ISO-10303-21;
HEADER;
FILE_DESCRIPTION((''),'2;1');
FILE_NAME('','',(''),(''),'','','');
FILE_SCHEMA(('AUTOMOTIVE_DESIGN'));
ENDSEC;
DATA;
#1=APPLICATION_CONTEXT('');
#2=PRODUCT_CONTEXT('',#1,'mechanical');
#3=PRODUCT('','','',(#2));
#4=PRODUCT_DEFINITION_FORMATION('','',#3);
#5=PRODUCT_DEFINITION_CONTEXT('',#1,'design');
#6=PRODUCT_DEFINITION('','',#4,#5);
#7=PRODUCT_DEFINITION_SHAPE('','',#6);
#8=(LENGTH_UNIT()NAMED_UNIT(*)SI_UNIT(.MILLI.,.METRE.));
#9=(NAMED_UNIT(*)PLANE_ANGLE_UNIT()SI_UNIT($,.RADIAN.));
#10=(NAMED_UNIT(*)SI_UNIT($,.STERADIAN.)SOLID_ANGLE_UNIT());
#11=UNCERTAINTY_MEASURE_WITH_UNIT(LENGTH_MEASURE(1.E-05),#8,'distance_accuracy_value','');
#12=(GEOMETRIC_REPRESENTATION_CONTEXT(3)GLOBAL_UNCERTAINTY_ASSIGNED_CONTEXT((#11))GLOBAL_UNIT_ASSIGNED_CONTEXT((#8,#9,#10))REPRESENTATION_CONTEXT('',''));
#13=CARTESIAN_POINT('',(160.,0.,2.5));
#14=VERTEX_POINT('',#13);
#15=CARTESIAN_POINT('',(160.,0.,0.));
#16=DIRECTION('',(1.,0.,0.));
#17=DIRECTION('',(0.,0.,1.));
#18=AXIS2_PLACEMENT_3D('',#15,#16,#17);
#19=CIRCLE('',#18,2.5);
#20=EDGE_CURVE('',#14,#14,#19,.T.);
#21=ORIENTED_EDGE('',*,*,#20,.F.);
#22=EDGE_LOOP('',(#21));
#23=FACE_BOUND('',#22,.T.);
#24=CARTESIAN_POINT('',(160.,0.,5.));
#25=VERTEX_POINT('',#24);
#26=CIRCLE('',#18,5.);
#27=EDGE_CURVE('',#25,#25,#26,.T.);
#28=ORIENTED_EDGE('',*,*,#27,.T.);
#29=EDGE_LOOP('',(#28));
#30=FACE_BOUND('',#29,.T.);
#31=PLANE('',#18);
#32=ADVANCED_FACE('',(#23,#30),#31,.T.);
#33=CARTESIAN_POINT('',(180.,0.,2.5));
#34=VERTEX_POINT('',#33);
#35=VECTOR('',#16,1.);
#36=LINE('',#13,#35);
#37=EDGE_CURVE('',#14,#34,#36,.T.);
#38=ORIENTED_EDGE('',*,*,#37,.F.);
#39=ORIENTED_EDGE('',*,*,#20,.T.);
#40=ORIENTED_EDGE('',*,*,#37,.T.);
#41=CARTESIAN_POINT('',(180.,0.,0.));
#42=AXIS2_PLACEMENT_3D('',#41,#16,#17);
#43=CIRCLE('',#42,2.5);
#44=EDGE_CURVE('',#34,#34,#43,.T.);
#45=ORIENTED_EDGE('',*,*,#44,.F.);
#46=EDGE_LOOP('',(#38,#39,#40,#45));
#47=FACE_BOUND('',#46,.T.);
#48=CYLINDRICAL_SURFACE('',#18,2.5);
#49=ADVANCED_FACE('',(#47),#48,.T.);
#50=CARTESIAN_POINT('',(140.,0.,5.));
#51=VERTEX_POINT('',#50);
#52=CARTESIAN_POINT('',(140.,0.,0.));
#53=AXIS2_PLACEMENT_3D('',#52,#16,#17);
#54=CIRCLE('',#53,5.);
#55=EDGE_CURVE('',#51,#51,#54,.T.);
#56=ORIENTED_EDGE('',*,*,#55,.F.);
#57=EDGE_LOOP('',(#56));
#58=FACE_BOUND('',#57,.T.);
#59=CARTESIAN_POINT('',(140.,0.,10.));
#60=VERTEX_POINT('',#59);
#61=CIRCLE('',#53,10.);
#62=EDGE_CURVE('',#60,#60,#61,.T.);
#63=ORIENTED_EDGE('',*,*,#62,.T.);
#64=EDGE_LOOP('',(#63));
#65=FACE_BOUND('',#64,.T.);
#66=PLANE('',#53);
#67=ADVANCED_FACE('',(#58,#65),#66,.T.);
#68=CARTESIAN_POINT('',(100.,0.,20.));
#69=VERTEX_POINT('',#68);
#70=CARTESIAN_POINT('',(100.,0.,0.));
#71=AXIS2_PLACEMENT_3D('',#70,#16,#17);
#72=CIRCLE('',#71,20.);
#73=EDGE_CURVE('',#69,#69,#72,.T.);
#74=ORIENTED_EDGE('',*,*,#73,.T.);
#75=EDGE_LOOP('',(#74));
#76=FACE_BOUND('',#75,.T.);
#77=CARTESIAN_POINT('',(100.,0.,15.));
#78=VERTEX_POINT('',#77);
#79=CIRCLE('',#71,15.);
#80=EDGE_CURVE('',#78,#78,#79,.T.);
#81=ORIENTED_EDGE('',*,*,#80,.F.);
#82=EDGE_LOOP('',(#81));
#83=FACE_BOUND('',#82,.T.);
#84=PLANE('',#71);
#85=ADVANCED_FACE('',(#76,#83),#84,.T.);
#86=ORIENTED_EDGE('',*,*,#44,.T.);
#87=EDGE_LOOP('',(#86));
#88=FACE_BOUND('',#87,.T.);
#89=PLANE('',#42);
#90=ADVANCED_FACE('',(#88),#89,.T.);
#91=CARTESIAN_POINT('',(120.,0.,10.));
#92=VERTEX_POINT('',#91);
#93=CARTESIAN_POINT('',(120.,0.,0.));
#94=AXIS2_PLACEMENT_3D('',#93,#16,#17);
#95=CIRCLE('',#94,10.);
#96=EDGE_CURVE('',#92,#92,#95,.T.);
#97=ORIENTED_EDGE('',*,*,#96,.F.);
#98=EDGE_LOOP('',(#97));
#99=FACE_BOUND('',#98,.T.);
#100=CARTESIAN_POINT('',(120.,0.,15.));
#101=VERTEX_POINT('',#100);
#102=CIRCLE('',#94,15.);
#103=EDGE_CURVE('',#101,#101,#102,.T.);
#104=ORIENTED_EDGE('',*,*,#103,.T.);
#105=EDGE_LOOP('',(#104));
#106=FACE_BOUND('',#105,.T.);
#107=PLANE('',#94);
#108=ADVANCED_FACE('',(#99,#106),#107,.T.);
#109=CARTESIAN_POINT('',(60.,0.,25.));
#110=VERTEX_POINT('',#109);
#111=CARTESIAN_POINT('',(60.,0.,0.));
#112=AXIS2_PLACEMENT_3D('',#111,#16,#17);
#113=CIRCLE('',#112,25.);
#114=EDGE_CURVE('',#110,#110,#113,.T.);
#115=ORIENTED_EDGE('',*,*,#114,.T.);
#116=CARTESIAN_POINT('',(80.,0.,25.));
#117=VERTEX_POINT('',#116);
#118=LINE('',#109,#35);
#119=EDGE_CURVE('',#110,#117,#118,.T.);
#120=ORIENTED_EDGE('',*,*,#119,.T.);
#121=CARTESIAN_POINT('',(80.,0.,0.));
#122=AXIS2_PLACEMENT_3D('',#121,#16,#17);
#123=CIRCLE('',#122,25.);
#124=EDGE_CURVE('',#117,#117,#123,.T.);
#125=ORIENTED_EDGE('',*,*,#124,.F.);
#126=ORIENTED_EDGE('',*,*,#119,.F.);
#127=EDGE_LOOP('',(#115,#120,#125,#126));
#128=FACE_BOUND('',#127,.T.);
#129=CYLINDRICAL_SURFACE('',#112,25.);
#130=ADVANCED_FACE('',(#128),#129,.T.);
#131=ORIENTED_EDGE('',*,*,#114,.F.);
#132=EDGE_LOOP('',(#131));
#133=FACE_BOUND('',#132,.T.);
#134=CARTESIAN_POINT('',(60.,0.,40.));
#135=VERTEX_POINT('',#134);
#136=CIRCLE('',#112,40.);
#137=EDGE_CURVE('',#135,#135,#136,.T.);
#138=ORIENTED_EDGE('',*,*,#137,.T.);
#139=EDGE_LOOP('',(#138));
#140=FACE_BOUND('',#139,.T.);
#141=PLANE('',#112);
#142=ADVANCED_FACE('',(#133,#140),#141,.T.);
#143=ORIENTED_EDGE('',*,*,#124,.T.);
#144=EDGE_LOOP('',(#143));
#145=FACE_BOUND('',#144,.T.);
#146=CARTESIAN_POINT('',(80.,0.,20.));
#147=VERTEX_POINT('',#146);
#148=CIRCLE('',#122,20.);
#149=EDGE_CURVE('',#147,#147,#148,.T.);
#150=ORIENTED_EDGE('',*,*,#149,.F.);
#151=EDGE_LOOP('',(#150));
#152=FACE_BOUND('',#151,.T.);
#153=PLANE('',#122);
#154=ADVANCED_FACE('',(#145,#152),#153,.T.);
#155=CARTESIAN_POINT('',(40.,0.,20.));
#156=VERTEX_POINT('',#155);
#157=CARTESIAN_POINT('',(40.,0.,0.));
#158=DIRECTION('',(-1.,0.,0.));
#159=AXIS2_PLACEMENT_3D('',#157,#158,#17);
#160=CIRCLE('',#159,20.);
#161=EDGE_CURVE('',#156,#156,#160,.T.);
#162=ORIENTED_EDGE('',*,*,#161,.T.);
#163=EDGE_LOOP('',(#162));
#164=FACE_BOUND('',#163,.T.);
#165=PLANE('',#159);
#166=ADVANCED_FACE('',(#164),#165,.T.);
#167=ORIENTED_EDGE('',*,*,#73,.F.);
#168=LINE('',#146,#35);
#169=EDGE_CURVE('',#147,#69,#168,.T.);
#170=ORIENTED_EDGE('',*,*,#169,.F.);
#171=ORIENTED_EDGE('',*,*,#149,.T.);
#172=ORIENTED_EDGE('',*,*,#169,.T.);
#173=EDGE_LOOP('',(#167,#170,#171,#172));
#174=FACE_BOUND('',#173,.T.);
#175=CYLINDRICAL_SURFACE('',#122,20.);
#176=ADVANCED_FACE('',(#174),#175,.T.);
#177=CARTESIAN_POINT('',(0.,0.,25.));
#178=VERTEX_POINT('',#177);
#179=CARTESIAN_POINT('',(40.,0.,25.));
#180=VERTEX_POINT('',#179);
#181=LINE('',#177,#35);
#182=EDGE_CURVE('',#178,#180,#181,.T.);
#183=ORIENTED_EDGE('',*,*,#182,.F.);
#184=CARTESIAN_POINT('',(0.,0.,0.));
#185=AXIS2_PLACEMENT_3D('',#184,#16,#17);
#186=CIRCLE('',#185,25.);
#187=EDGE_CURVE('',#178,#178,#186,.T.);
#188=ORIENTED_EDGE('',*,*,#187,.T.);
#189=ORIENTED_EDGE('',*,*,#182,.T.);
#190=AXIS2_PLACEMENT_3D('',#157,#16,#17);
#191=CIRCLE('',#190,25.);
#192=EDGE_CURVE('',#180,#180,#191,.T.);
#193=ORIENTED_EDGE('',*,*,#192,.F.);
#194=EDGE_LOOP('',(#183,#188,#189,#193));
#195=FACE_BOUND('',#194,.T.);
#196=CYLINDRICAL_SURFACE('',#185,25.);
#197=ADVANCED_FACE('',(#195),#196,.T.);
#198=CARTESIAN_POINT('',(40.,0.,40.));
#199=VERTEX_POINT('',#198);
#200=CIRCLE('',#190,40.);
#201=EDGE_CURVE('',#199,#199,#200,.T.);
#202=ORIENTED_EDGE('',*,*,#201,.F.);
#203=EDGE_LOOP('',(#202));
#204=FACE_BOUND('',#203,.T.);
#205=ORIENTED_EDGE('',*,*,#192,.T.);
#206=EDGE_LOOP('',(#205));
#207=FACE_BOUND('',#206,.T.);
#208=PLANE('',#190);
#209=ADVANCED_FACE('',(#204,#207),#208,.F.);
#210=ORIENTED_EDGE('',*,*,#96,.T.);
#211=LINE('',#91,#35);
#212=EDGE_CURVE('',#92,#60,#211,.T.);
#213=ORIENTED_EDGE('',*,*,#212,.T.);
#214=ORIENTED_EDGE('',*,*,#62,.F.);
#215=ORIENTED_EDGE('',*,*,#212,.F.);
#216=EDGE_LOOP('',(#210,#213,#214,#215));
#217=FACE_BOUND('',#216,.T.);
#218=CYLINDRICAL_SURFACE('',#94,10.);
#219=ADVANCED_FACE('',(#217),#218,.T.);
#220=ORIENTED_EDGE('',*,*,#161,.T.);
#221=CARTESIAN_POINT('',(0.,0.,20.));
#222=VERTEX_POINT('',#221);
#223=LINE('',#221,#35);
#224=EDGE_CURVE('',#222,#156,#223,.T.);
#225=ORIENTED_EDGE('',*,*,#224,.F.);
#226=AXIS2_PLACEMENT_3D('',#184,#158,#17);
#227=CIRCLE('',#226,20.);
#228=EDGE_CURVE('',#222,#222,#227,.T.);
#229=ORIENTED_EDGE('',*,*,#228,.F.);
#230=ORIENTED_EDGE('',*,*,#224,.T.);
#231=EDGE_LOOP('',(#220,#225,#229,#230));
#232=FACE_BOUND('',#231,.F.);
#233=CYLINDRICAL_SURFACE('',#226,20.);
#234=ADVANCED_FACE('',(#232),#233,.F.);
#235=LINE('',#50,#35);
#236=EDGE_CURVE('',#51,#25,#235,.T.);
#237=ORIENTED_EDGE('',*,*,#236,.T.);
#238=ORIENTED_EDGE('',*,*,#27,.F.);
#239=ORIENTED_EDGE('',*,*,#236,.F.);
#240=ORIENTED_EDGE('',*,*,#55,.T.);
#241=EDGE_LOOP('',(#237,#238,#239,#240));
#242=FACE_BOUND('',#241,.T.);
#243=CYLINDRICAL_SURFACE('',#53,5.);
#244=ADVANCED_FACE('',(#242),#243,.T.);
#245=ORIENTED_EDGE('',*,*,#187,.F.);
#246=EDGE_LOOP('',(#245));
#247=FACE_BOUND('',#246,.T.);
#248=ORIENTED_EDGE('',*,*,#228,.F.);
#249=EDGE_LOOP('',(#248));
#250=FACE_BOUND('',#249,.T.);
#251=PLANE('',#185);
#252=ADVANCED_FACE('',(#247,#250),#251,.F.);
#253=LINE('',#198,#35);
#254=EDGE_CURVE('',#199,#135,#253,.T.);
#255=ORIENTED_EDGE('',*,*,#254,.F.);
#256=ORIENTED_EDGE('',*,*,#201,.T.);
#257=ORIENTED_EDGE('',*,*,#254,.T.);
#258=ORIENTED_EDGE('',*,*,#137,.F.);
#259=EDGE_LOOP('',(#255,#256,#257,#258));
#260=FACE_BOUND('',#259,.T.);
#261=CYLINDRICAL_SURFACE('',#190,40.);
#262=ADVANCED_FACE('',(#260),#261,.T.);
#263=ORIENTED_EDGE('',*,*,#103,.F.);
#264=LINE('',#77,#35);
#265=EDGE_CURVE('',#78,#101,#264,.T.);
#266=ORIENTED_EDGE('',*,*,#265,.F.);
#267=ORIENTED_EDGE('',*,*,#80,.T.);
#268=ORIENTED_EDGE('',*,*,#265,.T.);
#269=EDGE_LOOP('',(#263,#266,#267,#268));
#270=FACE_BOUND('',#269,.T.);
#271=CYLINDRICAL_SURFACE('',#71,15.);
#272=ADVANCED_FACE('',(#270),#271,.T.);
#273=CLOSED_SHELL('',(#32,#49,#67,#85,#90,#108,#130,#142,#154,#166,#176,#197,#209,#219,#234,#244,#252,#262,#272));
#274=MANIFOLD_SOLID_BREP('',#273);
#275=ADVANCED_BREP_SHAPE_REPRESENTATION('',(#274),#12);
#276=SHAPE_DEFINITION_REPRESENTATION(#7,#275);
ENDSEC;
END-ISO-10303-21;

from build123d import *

# Parameters (mm, degrees)
SKETCH2_R          = 20
CUT_EXTRUDE1_DEPTH = 40


with BuildPart() as part:
    # Sketch1 → Revolve1 (revolve)
    with BuildSketch(Plane(origin=(0, 0, 0), x_dir=(1, 0, 0), z_dir=(0, 1, 0)), mode=Mode.PRIVATE) as revolve1_sk:
        Polygon((0, 0), (0, 25), (40, 25), (40, 40), (60, 40), (60, 25), (80, 25), (80, 20), (100, 20), (100, 15), (120, 15), (120, 10), (140, 10), (140, 5), (160, 5), (160, 2.5), (180, 2.5), (180, 0), align=None)
    revolve(revolve1_sk.sketch.rotate(Axis((-28.888888889, 0, 0), (1, 0, 0)), 180), axis=Axis((-28.888888889, 0, 0), (1, 0, 0)))  # turned: the seam where the file's is

    # Sketch2 → Cut-Extrude1 (cut)
    with BuildSketch(Plane.ZY):
        Circle(SKETCH2_R)
    extrude(amount=-CUT_EXTRUDE1_DEPTH, mode=Mode.SUBTRACT)


solid = part.part
